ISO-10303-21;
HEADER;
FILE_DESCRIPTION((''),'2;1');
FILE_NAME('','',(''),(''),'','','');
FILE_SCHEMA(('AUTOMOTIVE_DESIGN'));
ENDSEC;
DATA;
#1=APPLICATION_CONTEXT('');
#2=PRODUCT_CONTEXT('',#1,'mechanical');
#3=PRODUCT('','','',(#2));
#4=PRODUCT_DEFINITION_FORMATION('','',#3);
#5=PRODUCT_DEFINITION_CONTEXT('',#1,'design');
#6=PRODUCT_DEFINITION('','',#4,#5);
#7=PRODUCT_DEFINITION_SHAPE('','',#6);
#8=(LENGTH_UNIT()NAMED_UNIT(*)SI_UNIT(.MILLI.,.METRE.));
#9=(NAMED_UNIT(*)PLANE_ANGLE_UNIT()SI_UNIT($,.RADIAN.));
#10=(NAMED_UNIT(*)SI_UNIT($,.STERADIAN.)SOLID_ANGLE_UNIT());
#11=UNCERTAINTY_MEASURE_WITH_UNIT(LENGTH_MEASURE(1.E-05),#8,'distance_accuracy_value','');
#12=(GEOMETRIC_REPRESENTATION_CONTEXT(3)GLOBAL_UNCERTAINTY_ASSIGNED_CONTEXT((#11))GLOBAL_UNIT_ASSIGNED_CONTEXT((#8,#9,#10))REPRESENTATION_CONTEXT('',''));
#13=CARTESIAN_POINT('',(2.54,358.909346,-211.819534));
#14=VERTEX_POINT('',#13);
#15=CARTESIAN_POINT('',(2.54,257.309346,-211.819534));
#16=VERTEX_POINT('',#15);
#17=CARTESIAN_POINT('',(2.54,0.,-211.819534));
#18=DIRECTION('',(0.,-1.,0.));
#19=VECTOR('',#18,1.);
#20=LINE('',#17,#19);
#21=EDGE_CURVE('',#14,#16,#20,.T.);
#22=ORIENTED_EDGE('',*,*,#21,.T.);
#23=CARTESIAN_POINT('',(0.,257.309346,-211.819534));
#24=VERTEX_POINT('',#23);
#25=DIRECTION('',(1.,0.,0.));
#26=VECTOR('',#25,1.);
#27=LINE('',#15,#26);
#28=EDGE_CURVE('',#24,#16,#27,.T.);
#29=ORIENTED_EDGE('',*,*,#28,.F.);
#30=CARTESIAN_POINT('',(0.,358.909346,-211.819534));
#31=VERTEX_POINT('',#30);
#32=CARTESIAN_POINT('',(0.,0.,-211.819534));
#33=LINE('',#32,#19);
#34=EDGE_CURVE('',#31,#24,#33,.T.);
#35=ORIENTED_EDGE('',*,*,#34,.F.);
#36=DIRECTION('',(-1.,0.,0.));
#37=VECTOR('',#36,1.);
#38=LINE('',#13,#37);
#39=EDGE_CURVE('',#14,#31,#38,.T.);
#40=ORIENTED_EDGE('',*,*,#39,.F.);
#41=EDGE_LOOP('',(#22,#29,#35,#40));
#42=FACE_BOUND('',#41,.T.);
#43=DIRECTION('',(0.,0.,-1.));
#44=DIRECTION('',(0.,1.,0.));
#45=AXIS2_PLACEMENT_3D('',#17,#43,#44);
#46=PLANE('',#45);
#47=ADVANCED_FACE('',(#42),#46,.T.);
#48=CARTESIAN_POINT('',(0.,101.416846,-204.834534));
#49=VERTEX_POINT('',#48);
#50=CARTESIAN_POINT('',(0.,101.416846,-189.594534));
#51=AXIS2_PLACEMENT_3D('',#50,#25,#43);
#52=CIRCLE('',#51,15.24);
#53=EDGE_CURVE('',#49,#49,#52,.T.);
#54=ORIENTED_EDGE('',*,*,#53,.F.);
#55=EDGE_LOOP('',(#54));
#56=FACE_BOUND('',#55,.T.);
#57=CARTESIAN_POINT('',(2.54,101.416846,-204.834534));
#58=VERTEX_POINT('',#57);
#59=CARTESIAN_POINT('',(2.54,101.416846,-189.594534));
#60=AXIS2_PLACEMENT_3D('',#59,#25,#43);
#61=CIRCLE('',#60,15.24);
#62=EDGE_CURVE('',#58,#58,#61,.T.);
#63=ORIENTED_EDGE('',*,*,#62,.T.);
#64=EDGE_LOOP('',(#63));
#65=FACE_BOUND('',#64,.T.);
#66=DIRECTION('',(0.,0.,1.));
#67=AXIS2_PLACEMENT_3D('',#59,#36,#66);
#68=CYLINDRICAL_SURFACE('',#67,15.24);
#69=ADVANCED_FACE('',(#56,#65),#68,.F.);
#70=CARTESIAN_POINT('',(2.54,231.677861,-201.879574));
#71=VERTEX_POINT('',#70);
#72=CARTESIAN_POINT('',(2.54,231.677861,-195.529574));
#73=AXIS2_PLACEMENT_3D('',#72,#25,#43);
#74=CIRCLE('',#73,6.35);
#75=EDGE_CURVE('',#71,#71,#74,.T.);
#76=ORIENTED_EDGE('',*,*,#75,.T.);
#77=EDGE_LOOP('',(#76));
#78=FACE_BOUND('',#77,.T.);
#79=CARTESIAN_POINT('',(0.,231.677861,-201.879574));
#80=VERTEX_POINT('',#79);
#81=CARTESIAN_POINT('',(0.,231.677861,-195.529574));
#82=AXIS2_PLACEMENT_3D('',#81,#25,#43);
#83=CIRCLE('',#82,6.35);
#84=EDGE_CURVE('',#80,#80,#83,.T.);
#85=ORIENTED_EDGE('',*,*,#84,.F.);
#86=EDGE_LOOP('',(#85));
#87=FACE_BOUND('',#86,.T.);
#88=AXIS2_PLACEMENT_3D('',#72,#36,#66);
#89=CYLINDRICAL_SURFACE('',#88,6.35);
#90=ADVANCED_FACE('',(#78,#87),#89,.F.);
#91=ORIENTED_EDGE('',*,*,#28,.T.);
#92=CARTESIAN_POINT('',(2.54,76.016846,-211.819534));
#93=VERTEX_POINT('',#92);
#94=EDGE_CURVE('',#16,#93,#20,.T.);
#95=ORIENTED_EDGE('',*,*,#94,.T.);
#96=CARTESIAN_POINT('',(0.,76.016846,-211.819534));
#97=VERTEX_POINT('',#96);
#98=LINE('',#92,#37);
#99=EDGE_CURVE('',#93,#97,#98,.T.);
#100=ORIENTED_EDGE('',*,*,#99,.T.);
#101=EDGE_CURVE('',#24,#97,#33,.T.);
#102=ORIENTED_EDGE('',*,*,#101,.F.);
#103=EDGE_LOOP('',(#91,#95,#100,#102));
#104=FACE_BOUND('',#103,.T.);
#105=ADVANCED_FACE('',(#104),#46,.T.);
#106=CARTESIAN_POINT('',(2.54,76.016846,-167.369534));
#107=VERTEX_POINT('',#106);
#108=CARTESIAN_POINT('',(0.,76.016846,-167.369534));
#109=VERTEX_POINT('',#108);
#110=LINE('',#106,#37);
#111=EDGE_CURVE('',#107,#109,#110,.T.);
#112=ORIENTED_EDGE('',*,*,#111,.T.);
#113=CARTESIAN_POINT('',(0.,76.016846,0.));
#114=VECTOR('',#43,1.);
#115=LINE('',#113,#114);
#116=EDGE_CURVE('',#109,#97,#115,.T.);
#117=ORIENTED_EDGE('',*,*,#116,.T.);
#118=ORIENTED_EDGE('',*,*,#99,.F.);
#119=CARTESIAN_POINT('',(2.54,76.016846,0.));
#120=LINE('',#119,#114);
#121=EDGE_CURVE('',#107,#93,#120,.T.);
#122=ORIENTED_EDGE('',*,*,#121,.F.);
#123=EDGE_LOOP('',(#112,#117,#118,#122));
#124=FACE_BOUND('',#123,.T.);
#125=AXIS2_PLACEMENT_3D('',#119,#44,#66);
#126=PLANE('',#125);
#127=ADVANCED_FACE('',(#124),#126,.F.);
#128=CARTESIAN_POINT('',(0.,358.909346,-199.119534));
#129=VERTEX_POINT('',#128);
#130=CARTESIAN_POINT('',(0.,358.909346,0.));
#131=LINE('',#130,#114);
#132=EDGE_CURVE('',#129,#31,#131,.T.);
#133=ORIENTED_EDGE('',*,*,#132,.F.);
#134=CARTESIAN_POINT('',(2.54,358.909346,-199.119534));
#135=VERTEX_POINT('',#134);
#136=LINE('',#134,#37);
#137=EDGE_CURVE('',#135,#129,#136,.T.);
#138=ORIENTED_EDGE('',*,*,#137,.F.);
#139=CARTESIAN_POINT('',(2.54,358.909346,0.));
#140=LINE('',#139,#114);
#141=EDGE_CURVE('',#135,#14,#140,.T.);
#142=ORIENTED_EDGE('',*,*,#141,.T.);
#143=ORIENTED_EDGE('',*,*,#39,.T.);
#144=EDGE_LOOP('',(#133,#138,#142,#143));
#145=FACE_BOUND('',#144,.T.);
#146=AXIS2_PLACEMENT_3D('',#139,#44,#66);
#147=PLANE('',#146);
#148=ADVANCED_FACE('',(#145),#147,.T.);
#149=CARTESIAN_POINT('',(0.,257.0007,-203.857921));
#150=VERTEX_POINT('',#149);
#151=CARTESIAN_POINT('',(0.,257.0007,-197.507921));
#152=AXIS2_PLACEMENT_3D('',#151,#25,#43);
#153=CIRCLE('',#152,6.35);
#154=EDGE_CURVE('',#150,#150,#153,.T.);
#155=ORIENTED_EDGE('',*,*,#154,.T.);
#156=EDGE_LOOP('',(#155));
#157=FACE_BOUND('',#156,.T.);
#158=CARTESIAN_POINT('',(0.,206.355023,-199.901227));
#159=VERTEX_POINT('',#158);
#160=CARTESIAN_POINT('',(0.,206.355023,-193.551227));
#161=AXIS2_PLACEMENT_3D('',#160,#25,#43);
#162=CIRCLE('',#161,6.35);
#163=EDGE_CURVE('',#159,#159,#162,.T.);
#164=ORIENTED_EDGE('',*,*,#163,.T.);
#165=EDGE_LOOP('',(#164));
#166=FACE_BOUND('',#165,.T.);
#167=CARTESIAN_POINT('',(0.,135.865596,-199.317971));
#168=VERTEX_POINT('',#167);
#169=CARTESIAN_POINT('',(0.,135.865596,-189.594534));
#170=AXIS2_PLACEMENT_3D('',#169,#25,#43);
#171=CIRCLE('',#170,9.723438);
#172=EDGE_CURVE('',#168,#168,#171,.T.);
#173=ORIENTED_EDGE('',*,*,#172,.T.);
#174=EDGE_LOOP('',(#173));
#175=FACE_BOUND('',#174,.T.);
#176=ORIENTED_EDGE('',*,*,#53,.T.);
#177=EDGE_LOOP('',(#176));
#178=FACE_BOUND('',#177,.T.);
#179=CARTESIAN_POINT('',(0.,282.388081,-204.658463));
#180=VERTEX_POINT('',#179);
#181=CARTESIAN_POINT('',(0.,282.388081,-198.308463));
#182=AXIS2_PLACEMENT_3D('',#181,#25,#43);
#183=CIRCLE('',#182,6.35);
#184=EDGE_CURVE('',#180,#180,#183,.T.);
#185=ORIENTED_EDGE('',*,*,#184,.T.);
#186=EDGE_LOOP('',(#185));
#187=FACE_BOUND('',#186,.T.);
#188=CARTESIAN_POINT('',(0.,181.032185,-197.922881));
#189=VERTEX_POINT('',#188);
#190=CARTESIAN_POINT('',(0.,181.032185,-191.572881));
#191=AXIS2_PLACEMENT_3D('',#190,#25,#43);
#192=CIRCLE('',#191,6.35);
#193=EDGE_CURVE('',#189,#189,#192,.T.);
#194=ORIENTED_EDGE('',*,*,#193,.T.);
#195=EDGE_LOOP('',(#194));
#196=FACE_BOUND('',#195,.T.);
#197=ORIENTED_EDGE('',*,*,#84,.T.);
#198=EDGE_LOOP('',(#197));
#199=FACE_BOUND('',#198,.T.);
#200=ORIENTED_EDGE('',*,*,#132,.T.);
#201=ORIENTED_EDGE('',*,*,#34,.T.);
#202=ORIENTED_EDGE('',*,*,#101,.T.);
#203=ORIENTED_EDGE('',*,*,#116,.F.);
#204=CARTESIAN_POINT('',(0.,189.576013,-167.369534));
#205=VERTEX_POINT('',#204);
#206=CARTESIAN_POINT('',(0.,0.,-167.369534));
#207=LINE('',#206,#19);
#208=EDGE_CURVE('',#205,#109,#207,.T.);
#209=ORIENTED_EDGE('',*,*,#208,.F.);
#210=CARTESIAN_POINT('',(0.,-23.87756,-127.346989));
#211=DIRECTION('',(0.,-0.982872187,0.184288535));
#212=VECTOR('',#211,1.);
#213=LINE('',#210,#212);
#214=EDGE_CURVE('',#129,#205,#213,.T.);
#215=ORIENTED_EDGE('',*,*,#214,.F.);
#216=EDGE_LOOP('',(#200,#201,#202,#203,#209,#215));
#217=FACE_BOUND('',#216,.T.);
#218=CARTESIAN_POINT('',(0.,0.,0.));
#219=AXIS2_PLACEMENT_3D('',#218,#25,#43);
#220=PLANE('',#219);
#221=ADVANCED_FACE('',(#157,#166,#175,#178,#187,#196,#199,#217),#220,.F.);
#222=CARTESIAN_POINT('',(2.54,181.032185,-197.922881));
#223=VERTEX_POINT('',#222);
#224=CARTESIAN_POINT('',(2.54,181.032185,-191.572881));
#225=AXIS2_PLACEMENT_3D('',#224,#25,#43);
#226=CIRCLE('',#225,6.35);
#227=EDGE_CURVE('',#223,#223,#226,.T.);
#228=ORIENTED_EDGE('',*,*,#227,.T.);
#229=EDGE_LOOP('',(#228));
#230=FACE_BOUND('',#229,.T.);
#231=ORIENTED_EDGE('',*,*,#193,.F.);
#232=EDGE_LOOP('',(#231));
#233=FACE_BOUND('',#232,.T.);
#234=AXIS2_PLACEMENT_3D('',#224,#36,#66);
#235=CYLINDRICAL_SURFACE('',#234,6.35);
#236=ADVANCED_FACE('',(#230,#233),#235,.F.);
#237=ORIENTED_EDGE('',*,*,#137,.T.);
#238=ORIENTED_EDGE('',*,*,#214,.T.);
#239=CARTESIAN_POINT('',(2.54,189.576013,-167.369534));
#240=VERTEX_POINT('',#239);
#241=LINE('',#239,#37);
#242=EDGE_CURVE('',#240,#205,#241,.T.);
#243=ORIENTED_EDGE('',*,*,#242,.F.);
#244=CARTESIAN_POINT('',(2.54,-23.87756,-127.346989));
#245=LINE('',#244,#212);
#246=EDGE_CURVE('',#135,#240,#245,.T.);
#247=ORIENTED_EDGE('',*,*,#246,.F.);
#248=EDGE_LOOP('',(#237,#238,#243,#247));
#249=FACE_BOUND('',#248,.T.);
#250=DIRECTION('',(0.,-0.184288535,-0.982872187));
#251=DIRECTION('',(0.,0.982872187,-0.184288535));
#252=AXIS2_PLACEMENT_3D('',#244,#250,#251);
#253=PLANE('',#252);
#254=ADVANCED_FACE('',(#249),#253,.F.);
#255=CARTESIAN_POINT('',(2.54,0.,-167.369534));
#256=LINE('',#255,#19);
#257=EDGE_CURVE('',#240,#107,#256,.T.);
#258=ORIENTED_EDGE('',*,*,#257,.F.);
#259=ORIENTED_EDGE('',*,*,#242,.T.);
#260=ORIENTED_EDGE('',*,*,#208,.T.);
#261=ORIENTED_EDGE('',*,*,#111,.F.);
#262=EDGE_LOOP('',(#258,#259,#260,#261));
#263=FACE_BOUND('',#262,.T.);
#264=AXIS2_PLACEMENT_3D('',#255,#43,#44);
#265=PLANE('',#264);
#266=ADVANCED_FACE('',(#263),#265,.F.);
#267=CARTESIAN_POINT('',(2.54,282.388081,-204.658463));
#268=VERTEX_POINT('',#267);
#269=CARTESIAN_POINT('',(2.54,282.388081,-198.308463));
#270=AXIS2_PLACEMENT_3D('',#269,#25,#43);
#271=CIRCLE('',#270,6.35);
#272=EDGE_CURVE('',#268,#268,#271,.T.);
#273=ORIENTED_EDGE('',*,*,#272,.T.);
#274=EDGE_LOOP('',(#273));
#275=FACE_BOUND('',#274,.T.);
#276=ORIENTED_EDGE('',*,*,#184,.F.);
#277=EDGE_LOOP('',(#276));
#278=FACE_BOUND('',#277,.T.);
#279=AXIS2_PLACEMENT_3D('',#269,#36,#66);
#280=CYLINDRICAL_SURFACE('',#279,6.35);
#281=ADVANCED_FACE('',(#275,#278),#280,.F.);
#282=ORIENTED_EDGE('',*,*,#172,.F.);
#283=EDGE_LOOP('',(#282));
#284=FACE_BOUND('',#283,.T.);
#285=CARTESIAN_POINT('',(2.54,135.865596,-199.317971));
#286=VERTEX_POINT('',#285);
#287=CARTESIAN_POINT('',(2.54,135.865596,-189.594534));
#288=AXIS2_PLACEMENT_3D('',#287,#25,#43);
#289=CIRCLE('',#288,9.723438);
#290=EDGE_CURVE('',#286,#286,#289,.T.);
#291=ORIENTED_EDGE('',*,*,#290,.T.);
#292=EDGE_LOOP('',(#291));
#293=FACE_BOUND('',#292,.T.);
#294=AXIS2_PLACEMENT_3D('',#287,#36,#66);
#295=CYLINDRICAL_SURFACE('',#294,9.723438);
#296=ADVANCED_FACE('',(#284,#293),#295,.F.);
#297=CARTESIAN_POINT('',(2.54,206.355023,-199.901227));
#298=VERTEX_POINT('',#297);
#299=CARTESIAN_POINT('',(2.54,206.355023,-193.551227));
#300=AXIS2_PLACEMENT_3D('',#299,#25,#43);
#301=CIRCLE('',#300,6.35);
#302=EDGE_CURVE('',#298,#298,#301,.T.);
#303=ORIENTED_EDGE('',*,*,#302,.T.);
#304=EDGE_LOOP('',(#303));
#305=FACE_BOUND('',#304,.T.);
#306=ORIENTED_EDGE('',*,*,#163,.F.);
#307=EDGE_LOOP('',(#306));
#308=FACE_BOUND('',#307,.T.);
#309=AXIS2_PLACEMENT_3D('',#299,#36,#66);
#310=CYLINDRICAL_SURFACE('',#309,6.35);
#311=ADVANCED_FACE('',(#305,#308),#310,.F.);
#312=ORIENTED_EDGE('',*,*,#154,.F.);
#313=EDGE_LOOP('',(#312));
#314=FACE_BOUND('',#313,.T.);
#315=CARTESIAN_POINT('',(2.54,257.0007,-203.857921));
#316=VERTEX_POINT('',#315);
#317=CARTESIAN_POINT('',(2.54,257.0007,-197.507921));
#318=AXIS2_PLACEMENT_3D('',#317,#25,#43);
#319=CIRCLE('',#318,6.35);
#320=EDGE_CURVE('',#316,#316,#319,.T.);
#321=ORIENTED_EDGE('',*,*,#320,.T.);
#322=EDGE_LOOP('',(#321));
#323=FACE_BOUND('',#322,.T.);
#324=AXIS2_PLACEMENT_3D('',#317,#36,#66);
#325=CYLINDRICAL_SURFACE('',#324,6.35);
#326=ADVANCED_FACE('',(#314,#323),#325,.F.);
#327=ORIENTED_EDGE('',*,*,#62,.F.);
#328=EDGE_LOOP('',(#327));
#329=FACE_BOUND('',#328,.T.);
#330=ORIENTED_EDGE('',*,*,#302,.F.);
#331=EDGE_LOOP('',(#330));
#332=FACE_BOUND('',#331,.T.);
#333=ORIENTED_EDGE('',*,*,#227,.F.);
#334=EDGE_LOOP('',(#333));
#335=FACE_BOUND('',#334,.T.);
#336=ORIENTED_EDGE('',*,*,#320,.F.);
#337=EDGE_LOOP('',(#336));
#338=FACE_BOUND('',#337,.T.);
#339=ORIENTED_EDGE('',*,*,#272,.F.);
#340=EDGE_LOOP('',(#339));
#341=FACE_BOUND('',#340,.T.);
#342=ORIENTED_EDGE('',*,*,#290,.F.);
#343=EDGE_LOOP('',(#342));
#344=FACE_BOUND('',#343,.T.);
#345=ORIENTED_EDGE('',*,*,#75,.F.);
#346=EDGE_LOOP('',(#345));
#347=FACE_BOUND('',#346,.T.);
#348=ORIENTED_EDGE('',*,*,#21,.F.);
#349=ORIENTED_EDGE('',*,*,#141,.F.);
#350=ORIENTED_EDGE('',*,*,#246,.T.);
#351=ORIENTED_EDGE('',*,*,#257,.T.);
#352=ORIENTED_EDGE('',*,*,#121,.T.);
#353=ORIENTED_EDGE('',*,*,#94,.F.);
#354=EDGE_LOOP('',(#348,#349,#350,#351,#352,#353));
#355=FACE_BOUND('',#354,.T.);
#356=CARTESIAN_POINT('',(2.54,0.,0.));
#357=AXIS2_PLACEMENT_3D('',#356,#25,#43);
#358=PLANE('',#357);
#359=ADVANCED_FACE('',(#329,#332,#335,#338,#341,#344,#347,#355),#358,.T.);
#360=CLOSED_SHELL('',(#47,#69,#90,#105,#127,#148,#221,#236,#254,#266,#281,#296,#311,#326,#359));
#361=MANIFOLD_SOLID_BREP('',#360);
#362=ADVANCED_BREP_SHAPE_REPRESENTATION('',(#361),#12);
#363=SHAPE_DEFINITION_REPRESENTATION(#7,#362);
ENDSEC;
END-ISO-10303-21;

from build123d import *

# Parameters (mm, degrees)
SKETCH1_R           = 9.7234375
SKETCH1_R_2         = 15.24
SKETCH1_R_3         = 6.35
BOSS_EXTRUDE1_DEPTH = 2.54


with BuildPart() as part:
    # Sketch1 → Boss-Extrude1 (new body)
    with BuildSketch(Plane(origin=(0, 0, 0), x_dir=(0, 0, -1), z_dir=(1, 0, 0))):
        Polygon((199.119533938, 358.909346267), (167.369533938, 189.576012933), (167.369533938, 76.016846267), (211.819533938, 76.016846267), (211.819533938, 308.109346267), (211.819533938, 358.909346267), align=None)
        with Locations((189.594533938, 135.865596267)):
            Circle(SKETCH1_R, mode=Mode.SUBTRACT)
        with Locations((189.594533938, 101.416846267)):
            Circle(SKETCH1_R_2, mode=Mode.SUBTRACT)
        with Locations((191.572880687, 181.032184657)):
            Circle(SKETCH1_R_3, mode=Mode.SUBTRACT)
        with Locations((193.551227437, 206.355023047)):
            Circle(SKETCH1_R_3, mode=Mode.SUBTRACT)
        with Locations((195.529574186, 231.677861438)):
            Circle(SKETCH1_R_3, mode=Mode.SUBTRACT)
        with Locations((197.507920935, 257.000699828)):
            Circle(SKETCH1_R_3, mode=Mode.SUBTRACT)
        with Locations((198.308463246, 282.388081182)):
            Circle(SKETCH1_R_3, mode=Mode.SUBTRACT)
    extrude(amount=BOSS_EXTRUDE1_DEPTH)


solid = part.part
